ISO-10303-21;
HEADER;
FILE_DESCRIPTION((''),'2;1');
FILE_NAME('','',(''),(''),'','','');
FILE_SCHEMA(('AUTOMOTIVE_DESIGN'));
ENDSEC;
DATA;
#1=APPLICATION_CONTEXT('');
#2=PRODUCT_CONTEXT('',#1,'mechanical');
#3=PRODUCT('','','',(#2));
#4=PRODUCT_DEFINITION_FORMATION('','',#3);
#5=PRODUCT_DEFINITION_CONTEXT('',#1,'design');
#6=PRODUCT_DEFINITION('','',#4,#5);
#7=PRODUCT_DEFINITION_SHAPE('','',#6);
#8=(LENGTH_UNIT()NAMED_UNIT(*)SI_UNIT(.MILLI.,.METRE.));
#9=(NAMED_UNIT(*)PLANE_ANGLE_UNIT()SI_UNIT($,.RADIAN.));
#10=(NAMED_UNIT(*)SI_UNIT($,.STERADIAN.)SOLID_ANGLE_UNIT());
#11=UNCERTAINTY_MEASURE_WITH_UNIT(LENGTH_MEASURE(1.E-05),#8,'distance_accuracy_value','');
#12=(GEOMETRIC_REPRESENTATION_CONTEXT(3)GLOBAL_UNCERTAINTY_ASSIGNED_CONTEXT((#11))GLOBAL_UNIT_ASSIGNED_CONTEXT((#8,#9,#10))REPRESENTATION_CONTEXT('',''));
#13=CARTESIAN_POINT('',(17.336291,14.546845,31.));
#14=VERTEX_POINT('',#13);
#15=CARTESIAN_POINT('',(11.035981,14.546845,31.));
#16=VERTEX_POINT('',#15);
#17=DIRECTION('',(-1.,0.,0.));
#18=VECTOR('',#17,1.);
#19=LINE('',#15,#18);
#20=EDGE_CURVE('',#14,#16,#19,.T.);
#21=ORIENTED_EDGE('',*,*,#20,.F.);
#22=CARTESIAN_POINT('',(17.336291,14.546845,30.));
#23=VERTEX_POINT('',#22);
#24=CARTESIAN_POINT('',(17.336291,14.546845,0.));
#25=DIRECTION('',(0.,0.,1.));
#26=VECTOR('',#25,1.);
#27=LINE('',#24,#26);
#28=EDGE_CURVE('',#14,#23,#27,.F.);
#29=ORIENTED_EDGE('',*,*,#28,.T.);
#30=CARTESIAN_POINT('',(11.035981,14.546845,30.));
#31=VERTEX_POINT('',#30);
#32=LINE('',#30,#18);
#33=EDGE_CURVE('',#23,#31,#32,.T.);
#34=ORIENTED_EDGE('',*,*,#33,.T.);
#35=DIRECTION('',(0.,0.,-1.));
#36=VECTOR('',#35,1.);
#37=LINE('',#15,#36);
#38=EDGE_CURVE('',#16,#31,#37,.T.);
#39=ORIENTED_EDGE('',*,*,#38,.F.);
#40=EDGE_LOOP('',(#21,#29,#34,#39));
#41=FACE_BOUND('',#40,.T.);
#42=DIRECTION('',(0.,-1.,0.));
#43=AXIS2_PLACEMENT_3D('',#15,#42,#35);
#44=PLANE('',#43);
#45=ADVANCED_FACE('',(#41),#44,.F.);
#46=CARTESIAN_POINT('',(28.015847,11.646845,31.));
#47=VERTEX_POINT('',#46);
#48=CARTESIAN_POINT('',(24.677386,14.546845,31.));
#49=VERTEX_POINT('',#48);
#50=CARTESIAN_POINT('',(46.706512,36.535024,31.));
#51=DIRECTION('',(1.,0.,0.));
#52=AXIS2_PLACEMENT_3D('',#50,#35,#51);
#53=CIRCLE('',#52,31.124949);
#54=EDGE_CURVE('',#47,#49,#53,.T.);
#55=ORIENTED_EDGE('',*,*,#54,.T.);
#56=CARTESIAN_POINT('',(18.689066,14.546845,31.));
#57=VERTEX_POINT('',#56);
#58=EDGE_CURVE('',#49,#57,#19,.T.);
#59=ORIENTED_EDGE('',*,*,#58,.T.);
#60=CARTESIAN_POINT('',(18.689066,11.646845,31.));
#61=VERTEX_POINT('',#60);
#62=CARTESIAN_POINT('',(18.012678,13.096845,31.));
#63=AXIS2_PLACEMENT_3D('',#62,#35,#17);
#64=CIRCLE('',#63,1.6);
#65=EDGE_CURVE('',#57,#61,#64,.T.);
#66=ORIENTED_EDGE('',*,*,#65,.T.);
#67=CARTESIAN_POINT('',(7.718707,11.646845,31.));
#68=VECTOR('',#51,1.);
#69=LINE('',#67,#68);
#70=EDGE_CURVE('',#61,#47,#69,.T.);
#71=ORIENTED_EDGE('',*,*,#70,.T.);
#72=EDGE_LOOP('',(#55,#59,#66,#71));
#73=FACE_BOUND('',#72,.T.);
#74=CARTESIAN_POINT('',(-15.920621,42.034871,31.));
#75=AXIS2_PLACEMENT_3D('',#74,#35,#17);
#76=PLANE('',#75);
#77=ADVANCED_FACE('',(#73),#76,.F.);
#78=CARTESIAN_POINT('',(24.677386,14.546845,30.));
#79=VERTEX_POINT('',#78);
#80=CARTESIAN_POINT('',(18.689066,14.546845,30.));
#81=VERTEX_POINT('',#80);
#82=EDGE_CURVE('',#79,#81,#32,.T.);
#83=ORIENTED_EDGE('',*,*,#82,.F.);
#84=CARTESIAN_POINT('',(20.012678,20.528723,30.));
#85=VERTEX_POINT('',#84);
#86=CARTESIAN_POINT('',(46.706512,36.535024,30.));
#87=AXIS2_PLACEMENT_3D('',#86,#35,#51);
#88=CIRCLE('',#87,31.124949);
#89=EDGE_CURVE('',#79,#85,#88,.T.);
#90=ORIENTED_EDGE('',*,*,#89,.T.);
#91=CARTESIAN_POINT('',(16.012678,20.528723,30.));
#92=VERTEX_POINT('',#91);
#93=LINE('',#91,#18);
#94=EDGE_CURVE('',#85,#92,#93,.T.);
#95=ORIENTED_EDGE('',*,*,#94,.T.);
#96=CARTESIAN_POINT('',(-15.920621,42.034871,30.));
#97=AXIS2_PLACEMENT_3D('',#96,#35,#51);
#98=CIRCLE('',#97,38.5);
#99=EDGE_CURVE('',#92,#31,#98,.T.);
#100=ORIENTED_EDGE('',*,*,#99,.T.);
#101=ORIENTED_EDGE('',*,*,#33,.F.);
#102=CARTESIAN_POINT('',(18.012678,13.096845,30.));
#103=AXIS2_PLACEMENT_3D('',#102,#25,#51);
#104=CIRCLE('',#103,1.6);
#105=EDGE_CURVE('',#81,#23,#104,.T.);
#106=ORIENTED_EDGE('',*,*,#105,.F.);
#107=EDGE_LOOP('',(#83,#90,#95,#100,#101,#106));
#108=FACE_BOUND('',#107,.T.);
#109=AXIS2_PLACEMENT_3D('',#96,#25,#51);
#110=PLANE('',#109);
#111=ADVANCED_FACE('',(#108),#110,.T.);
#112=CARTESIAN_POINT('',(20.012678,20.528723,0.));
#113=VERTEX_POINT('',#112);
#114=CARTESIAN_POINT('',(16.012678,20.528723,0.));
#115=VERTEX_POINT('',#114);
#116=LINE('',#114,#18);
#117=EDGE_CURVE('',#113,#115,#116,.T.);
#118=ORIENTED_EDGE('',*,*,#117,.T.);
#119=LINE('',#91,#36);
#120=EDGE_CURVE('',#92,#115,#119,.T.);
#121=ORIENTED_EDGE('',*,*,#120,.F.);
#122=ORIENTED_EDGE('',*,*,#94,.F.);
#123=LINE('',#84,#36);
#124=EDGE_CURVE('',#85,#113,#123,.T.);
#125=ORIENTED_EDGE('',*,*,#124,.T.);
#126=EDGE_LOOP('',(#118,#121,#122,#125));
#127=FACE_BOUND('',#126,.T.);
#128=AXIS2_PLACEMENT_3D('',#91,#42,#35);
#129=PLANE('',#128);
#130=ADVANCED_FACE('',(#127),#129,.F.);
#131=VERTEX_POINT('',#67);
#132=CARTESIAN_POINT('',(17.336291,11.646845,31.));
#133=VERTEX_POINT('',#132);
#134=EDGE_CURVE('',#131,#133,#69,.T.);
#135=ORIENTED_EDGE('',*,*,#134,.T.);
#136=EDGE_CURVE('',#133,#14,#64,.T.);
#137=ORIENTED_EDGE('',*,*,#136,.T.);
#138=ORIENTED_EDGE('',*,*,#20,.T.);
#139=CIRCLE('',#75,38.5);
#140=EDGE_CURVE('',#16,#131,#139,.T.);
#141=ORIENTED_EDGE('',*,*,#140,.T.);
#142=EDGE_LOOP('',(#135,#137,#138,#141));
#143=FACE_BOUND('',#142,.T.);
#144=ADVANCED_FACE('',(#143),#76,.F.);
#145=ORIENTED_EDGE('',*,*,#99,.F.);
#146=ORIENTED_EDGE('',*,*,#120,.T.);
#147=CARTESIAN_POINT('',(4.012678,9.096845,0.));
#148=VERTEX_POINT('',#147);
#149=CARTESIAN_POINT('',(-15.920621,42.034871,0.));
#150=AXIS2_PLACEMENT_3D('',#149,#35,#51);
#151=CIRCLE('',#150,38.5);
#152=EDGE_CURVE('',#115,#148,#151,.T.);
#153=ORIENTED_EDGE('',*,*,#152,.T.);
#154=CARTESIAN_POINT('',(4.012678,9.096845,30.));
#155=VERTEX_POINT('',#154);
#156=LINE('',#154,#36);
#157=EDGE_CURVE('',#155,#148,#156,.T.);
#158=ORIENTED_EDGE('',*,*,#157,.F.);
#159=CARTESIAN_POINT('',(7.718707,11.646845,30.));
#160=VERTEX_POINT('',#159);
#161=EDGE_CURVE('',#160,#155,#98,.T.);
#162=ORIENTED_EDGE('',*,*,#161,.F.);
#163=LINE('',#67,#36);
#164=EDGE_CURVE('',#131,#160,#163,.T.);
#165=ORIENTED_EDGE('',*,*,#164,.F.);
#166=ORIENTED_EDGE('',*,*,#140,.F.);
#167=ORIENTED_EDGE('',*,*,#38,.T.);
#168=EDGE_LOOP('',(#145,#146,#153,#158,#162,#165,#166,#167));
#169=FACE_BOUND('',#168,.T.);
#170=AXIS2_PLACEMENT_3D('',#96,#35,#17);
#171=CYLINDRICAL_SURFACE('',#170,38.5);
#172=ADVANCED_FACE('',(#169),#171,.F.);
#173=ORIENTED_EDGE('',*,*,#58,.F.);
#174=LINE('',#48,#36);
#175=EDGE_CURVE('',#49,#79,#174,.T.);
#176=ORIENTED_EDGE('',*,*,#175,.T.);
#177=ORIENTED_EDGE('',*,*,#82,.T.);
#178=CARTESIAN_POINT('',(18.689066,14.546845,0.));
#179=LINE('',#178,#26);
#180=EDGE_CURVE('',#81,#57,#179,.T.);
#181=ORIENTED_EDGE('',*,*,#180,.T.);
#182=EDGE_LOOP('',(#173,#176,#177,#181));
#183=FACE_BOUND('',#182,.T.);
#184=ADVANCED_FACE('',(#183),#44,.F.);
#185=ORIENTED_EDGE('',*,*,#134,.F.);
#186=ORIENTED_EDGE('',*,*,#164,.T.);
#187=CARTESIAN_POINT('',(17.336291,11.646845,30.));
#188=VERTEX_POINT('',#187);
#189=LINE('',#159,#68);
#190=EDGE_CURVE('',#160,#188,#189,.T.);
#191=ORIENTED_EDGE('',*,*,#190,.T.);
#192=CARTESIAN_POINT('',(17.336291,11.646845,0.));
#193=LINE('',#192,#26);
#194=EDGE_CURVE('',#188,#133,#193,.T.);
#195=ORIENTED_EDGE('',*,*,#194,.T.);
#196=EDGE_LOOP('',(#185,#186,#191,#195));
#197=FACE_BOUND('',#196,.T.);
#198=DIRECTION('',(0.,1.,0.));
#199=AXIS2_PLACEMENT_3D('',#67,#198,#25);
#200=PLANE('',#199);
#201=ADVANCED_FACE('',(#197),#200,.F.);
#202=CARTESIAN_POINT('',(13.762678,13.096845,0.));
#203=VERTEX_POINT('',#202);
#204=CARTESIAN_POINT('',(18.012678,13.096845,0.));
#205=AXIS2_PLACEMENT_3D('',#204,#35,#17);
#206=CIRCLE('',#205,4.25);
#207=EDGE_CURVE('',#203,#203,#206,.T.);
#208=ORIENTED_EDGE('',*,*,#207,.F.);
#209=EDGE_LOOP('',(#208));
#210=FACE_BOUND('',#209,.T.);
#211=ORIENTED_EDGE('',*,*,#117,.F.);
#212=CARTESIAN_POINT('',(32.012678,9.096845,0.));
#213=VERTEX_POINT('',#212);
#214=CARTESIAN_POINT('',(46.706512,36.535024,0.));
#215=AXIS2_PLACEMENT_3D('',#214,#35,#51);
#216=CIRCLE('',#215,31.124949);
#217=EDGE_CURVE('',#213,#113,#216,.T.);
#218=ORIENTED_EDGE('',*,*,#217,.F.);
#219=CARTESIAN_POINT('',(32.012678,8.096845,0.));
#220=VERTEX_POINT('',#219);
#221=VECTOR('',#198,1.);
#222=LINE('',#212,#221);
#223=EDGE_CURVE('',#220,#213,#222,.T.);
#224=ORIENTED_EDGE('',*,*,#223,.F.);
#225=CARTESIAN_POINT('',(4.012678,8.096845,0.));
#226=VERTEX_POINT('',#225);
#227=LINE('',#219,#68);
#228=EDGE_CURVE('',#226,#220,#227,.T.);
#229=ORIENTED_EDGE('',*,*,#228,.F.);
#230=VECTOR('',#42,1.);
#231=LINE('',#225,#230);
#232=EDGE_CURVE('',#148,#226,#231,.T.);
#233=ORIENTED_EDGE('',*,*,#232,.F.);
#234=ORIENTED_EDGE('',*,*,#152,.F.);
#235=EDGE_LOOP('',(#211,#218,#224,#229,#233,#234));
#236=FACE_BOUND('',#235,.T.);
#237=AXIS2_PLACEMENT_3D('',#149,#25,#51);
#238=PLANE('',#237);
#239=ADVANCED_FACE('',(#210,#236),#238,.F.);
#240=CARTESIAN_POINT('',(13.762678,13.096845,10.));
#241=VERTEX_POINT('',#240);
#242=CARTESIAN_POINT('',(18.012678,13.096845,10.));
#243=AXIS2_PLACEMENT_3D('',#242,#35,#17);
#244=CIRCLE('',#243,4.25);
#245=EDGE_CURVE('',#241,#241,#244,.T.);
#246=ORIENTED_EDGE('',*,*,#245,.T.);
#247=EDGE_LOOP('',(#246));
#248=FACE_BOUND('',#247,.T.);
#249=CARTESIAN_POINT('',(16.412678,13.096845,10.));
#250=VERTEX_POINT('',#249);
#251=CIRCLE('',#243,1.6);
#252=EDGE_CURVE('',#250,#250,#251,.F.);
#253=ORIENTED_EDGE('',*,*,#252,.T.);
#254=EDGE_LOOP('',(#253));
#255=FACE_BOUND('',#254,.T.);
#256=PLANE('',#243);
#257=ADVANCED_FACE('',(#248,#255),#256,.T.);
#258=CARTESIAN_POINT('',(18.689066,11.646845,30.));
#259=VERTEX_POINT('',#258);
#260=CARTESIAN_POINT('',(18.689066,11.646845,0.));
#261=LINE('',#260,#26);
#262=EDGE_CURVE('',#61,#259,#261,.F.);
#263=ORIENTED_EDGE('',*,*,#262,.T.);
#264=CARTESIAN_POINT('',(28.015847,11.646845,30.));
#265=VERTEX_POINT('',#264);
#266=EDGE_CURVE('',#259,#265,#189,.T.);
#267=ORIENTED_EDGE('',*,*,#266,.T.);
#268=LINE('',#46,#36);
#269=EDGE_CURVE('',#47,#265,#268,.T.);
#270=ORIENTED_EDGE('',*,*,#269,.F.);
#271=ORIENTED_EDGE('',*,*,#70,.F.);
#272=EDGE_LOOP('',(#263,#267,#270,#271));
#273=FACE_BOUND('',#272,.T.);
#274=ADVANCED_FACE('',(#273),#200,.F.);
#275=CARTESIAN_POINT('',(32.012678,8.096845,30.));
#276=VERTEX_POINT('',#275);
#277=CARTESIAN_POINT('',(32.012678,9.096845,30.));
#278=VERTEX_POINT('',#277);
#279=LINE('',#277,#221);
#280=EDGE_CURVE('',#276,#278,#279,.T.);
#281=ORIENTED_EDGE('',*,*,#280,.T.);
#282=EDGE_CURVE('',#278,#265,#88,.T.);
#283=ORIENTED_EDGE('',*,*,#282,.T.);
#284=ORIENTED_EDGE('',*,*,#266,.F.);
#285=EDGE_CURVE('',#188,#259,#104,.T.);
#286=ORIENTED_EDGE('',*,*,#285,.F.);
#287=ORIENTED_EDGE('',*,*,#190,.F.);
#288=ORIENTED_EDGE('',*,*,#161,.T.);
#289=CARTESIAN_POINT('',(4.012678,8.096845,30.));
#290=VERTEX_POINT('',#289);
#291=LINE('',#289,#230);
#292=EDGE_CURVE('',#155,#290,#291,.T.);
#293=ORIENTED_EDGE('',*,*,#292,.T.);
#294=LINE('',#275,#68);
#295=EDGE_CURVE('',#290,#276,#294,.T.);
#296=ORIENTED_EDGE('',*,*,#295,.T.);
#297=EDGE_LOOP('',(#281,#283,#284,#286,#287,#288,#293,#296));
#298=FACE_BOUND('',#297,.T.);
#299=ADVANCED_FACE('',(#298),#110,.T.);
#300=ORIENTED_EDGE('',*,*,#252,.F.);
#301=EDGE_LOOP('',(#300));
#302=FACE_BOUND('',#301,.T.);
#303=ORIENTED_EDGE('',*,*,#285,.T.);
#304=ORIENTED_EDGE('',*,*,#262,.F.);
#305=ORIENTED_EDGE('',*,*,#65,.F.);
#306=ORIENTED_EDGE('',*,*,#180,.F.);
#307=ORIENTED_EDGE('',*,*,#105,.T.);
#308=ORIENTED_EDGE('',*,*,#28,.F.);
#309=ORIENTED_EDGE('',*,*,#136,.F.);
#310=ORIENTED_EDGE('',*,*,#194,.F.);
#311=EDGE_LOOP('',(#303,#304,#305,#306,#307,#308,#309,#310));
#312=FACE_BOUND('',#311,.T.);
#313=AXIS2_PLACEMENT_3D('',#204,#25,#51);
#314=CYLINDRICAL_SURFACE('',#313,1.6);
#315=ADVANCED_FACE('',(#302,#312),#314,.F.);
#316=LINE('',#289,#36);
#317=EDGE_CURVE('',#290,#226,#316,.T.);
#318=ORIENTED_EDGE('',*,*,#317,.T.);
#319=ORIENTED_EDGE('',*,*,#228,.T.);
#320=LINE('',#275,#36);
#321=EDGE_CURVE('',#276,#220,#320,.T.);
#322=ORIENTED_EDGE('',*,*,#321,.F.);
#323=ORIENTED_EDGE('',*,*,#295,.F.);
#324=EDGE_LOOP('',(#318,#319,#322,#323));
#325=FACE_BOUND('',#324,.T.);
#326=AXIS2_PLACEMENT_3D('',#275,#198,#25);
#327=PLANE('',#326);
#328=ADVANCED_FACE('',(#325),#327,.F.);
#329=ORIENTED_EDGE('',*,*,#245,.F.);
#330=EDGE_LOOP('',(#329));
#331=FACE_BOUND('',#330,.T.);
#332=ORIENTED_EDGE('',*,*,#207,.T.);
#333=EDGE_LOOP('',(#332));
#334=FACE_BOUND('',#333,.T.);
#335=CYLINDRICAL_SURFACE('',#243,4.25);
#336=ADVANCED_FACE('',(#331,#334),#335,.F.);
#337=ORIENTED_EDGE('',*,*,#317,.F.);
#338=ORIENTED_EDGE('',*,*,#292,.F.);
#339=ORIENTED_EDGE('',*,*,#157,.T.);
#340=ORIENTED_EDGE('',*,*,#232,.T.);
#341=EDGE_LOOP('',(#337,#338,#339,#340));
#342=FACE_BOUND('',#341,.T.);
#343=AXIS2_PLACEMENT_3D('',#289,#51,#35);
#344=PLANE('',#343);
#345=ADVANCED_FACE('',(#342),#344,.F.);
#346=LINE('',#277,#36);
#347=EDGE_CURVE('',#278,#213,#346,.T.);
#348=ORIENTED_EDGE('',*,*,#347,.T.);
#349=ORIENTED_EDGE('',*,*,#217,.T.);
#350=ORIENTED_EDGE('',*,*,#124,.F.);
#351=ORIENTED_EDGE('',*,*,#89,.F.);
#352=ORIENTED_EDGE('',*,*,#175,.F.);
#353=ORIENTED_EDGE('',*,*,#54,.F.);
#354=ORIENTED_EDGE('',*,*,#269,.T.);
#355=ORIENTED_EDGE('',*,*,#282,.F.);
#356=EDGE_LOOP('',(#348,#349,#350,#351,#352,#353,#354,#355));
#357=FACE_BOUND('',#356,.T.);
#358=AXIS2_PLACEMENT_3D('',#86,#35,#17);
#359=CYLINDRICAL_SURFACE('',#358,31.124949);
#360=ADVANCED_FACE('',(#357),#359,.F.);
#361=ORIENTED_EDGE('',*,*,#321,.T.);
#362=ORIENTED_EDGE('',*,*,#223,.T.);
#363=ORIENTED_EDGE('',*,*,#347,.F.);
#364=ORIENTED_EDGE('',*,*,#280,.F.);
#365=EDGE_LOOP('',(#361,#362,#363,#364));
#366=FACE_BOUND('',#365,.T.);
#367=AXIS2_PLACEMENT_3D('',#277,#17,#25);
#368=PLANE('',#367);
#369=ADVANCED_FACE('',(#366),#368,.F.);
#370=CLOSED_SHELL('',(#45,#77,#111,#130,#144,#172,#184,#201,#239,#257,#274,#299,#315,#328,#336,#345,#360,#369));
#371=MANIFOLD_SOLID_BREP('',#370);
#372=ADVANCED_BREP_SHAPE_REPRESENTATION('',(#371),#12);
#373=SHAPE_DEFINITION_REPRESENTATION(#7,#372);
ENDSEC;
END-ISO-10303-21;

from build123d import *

# Parameters (mm, degrees)
MAIN_DEPTH        = 30
FIX_2_DEPTH       = 1
SKETCH4_R         = 1.6
FIXHOLE_DEPTH     = 32
SKETCH6_R         = 4.25
FIXTOOLHOLE_DEPTH = 10


with BuildPart() as part:
    # Sketch1 → Main (new body)
    with BuildSketch(Plane.XY):
        with BuildLine():
            Line((4.012678164, 8.096844755), (4.012678164, 9.096844755))
            ThreePointArc((4.012678164, 9.096844755), (10.635131042, 14.159397508), (16.012678164, 20.528723174))
            Line((16.012678164, 20.528723174), (20.012678164, 20.528723174))
            ThreePointArc((20.012678164, 20.528723174), (25.237773803, 13.999369756), (32.012678164, 9.096844755))
            Line((32.012678164, 9.096844755), (32.012678164, 8.096844755))
            Line((32.012678164, 8.096844755), (4.012678164, 8.096844755))
        make_face()
    extrude(amount=MAIN_DEPTH)

    # Sketch5 → Fix 2 (add)
    with BuildSketch(Plane.XY.offset(30)):
        with BuildLine():
            Line((11.035981199, 14.546844755), (24.677385704, 14.546844755))
            ThreePointArc((24.677385704, 14.546844755), (26.295048181, 13.037479939), (28.015846782, 11.646844755))
            Line((28.015846782, 11.646844755), (7.71870745, 11.646844755))
            ThreePointArc((7.71870745, 11.646844755), (9.418864977, 13.0493498), (11.035981199, 14.546844755))
        make_face()
    extrude(amount=FIX_2_DEPTH)

    # Sketch4 → FixHole (cut, through all)
    with BuildSketch(Plane.XY.offset(31)):
        with Locations((18.012678164, 13.096844755)):
            Circle(SKETCH4_R)
    extrude(amount=-FIXHOLE_DEPTH, mode=Mode.SUBTRACT)

    # Sketch6 → FixToolHole (cut)
    with BuildSketch(Plane(origin=(0, 0, 0), x_dir=(-1, 0, 0), z_dir=(0, 0, -1))):
        with Locations((-18.012678164, 13.096844755)):
            Circle(SKETCH6_R)
    extrude(amount=-FIXTOOLHOLE_DEPTH, mode=Mode.SUBTRACT)


solid = part.part
